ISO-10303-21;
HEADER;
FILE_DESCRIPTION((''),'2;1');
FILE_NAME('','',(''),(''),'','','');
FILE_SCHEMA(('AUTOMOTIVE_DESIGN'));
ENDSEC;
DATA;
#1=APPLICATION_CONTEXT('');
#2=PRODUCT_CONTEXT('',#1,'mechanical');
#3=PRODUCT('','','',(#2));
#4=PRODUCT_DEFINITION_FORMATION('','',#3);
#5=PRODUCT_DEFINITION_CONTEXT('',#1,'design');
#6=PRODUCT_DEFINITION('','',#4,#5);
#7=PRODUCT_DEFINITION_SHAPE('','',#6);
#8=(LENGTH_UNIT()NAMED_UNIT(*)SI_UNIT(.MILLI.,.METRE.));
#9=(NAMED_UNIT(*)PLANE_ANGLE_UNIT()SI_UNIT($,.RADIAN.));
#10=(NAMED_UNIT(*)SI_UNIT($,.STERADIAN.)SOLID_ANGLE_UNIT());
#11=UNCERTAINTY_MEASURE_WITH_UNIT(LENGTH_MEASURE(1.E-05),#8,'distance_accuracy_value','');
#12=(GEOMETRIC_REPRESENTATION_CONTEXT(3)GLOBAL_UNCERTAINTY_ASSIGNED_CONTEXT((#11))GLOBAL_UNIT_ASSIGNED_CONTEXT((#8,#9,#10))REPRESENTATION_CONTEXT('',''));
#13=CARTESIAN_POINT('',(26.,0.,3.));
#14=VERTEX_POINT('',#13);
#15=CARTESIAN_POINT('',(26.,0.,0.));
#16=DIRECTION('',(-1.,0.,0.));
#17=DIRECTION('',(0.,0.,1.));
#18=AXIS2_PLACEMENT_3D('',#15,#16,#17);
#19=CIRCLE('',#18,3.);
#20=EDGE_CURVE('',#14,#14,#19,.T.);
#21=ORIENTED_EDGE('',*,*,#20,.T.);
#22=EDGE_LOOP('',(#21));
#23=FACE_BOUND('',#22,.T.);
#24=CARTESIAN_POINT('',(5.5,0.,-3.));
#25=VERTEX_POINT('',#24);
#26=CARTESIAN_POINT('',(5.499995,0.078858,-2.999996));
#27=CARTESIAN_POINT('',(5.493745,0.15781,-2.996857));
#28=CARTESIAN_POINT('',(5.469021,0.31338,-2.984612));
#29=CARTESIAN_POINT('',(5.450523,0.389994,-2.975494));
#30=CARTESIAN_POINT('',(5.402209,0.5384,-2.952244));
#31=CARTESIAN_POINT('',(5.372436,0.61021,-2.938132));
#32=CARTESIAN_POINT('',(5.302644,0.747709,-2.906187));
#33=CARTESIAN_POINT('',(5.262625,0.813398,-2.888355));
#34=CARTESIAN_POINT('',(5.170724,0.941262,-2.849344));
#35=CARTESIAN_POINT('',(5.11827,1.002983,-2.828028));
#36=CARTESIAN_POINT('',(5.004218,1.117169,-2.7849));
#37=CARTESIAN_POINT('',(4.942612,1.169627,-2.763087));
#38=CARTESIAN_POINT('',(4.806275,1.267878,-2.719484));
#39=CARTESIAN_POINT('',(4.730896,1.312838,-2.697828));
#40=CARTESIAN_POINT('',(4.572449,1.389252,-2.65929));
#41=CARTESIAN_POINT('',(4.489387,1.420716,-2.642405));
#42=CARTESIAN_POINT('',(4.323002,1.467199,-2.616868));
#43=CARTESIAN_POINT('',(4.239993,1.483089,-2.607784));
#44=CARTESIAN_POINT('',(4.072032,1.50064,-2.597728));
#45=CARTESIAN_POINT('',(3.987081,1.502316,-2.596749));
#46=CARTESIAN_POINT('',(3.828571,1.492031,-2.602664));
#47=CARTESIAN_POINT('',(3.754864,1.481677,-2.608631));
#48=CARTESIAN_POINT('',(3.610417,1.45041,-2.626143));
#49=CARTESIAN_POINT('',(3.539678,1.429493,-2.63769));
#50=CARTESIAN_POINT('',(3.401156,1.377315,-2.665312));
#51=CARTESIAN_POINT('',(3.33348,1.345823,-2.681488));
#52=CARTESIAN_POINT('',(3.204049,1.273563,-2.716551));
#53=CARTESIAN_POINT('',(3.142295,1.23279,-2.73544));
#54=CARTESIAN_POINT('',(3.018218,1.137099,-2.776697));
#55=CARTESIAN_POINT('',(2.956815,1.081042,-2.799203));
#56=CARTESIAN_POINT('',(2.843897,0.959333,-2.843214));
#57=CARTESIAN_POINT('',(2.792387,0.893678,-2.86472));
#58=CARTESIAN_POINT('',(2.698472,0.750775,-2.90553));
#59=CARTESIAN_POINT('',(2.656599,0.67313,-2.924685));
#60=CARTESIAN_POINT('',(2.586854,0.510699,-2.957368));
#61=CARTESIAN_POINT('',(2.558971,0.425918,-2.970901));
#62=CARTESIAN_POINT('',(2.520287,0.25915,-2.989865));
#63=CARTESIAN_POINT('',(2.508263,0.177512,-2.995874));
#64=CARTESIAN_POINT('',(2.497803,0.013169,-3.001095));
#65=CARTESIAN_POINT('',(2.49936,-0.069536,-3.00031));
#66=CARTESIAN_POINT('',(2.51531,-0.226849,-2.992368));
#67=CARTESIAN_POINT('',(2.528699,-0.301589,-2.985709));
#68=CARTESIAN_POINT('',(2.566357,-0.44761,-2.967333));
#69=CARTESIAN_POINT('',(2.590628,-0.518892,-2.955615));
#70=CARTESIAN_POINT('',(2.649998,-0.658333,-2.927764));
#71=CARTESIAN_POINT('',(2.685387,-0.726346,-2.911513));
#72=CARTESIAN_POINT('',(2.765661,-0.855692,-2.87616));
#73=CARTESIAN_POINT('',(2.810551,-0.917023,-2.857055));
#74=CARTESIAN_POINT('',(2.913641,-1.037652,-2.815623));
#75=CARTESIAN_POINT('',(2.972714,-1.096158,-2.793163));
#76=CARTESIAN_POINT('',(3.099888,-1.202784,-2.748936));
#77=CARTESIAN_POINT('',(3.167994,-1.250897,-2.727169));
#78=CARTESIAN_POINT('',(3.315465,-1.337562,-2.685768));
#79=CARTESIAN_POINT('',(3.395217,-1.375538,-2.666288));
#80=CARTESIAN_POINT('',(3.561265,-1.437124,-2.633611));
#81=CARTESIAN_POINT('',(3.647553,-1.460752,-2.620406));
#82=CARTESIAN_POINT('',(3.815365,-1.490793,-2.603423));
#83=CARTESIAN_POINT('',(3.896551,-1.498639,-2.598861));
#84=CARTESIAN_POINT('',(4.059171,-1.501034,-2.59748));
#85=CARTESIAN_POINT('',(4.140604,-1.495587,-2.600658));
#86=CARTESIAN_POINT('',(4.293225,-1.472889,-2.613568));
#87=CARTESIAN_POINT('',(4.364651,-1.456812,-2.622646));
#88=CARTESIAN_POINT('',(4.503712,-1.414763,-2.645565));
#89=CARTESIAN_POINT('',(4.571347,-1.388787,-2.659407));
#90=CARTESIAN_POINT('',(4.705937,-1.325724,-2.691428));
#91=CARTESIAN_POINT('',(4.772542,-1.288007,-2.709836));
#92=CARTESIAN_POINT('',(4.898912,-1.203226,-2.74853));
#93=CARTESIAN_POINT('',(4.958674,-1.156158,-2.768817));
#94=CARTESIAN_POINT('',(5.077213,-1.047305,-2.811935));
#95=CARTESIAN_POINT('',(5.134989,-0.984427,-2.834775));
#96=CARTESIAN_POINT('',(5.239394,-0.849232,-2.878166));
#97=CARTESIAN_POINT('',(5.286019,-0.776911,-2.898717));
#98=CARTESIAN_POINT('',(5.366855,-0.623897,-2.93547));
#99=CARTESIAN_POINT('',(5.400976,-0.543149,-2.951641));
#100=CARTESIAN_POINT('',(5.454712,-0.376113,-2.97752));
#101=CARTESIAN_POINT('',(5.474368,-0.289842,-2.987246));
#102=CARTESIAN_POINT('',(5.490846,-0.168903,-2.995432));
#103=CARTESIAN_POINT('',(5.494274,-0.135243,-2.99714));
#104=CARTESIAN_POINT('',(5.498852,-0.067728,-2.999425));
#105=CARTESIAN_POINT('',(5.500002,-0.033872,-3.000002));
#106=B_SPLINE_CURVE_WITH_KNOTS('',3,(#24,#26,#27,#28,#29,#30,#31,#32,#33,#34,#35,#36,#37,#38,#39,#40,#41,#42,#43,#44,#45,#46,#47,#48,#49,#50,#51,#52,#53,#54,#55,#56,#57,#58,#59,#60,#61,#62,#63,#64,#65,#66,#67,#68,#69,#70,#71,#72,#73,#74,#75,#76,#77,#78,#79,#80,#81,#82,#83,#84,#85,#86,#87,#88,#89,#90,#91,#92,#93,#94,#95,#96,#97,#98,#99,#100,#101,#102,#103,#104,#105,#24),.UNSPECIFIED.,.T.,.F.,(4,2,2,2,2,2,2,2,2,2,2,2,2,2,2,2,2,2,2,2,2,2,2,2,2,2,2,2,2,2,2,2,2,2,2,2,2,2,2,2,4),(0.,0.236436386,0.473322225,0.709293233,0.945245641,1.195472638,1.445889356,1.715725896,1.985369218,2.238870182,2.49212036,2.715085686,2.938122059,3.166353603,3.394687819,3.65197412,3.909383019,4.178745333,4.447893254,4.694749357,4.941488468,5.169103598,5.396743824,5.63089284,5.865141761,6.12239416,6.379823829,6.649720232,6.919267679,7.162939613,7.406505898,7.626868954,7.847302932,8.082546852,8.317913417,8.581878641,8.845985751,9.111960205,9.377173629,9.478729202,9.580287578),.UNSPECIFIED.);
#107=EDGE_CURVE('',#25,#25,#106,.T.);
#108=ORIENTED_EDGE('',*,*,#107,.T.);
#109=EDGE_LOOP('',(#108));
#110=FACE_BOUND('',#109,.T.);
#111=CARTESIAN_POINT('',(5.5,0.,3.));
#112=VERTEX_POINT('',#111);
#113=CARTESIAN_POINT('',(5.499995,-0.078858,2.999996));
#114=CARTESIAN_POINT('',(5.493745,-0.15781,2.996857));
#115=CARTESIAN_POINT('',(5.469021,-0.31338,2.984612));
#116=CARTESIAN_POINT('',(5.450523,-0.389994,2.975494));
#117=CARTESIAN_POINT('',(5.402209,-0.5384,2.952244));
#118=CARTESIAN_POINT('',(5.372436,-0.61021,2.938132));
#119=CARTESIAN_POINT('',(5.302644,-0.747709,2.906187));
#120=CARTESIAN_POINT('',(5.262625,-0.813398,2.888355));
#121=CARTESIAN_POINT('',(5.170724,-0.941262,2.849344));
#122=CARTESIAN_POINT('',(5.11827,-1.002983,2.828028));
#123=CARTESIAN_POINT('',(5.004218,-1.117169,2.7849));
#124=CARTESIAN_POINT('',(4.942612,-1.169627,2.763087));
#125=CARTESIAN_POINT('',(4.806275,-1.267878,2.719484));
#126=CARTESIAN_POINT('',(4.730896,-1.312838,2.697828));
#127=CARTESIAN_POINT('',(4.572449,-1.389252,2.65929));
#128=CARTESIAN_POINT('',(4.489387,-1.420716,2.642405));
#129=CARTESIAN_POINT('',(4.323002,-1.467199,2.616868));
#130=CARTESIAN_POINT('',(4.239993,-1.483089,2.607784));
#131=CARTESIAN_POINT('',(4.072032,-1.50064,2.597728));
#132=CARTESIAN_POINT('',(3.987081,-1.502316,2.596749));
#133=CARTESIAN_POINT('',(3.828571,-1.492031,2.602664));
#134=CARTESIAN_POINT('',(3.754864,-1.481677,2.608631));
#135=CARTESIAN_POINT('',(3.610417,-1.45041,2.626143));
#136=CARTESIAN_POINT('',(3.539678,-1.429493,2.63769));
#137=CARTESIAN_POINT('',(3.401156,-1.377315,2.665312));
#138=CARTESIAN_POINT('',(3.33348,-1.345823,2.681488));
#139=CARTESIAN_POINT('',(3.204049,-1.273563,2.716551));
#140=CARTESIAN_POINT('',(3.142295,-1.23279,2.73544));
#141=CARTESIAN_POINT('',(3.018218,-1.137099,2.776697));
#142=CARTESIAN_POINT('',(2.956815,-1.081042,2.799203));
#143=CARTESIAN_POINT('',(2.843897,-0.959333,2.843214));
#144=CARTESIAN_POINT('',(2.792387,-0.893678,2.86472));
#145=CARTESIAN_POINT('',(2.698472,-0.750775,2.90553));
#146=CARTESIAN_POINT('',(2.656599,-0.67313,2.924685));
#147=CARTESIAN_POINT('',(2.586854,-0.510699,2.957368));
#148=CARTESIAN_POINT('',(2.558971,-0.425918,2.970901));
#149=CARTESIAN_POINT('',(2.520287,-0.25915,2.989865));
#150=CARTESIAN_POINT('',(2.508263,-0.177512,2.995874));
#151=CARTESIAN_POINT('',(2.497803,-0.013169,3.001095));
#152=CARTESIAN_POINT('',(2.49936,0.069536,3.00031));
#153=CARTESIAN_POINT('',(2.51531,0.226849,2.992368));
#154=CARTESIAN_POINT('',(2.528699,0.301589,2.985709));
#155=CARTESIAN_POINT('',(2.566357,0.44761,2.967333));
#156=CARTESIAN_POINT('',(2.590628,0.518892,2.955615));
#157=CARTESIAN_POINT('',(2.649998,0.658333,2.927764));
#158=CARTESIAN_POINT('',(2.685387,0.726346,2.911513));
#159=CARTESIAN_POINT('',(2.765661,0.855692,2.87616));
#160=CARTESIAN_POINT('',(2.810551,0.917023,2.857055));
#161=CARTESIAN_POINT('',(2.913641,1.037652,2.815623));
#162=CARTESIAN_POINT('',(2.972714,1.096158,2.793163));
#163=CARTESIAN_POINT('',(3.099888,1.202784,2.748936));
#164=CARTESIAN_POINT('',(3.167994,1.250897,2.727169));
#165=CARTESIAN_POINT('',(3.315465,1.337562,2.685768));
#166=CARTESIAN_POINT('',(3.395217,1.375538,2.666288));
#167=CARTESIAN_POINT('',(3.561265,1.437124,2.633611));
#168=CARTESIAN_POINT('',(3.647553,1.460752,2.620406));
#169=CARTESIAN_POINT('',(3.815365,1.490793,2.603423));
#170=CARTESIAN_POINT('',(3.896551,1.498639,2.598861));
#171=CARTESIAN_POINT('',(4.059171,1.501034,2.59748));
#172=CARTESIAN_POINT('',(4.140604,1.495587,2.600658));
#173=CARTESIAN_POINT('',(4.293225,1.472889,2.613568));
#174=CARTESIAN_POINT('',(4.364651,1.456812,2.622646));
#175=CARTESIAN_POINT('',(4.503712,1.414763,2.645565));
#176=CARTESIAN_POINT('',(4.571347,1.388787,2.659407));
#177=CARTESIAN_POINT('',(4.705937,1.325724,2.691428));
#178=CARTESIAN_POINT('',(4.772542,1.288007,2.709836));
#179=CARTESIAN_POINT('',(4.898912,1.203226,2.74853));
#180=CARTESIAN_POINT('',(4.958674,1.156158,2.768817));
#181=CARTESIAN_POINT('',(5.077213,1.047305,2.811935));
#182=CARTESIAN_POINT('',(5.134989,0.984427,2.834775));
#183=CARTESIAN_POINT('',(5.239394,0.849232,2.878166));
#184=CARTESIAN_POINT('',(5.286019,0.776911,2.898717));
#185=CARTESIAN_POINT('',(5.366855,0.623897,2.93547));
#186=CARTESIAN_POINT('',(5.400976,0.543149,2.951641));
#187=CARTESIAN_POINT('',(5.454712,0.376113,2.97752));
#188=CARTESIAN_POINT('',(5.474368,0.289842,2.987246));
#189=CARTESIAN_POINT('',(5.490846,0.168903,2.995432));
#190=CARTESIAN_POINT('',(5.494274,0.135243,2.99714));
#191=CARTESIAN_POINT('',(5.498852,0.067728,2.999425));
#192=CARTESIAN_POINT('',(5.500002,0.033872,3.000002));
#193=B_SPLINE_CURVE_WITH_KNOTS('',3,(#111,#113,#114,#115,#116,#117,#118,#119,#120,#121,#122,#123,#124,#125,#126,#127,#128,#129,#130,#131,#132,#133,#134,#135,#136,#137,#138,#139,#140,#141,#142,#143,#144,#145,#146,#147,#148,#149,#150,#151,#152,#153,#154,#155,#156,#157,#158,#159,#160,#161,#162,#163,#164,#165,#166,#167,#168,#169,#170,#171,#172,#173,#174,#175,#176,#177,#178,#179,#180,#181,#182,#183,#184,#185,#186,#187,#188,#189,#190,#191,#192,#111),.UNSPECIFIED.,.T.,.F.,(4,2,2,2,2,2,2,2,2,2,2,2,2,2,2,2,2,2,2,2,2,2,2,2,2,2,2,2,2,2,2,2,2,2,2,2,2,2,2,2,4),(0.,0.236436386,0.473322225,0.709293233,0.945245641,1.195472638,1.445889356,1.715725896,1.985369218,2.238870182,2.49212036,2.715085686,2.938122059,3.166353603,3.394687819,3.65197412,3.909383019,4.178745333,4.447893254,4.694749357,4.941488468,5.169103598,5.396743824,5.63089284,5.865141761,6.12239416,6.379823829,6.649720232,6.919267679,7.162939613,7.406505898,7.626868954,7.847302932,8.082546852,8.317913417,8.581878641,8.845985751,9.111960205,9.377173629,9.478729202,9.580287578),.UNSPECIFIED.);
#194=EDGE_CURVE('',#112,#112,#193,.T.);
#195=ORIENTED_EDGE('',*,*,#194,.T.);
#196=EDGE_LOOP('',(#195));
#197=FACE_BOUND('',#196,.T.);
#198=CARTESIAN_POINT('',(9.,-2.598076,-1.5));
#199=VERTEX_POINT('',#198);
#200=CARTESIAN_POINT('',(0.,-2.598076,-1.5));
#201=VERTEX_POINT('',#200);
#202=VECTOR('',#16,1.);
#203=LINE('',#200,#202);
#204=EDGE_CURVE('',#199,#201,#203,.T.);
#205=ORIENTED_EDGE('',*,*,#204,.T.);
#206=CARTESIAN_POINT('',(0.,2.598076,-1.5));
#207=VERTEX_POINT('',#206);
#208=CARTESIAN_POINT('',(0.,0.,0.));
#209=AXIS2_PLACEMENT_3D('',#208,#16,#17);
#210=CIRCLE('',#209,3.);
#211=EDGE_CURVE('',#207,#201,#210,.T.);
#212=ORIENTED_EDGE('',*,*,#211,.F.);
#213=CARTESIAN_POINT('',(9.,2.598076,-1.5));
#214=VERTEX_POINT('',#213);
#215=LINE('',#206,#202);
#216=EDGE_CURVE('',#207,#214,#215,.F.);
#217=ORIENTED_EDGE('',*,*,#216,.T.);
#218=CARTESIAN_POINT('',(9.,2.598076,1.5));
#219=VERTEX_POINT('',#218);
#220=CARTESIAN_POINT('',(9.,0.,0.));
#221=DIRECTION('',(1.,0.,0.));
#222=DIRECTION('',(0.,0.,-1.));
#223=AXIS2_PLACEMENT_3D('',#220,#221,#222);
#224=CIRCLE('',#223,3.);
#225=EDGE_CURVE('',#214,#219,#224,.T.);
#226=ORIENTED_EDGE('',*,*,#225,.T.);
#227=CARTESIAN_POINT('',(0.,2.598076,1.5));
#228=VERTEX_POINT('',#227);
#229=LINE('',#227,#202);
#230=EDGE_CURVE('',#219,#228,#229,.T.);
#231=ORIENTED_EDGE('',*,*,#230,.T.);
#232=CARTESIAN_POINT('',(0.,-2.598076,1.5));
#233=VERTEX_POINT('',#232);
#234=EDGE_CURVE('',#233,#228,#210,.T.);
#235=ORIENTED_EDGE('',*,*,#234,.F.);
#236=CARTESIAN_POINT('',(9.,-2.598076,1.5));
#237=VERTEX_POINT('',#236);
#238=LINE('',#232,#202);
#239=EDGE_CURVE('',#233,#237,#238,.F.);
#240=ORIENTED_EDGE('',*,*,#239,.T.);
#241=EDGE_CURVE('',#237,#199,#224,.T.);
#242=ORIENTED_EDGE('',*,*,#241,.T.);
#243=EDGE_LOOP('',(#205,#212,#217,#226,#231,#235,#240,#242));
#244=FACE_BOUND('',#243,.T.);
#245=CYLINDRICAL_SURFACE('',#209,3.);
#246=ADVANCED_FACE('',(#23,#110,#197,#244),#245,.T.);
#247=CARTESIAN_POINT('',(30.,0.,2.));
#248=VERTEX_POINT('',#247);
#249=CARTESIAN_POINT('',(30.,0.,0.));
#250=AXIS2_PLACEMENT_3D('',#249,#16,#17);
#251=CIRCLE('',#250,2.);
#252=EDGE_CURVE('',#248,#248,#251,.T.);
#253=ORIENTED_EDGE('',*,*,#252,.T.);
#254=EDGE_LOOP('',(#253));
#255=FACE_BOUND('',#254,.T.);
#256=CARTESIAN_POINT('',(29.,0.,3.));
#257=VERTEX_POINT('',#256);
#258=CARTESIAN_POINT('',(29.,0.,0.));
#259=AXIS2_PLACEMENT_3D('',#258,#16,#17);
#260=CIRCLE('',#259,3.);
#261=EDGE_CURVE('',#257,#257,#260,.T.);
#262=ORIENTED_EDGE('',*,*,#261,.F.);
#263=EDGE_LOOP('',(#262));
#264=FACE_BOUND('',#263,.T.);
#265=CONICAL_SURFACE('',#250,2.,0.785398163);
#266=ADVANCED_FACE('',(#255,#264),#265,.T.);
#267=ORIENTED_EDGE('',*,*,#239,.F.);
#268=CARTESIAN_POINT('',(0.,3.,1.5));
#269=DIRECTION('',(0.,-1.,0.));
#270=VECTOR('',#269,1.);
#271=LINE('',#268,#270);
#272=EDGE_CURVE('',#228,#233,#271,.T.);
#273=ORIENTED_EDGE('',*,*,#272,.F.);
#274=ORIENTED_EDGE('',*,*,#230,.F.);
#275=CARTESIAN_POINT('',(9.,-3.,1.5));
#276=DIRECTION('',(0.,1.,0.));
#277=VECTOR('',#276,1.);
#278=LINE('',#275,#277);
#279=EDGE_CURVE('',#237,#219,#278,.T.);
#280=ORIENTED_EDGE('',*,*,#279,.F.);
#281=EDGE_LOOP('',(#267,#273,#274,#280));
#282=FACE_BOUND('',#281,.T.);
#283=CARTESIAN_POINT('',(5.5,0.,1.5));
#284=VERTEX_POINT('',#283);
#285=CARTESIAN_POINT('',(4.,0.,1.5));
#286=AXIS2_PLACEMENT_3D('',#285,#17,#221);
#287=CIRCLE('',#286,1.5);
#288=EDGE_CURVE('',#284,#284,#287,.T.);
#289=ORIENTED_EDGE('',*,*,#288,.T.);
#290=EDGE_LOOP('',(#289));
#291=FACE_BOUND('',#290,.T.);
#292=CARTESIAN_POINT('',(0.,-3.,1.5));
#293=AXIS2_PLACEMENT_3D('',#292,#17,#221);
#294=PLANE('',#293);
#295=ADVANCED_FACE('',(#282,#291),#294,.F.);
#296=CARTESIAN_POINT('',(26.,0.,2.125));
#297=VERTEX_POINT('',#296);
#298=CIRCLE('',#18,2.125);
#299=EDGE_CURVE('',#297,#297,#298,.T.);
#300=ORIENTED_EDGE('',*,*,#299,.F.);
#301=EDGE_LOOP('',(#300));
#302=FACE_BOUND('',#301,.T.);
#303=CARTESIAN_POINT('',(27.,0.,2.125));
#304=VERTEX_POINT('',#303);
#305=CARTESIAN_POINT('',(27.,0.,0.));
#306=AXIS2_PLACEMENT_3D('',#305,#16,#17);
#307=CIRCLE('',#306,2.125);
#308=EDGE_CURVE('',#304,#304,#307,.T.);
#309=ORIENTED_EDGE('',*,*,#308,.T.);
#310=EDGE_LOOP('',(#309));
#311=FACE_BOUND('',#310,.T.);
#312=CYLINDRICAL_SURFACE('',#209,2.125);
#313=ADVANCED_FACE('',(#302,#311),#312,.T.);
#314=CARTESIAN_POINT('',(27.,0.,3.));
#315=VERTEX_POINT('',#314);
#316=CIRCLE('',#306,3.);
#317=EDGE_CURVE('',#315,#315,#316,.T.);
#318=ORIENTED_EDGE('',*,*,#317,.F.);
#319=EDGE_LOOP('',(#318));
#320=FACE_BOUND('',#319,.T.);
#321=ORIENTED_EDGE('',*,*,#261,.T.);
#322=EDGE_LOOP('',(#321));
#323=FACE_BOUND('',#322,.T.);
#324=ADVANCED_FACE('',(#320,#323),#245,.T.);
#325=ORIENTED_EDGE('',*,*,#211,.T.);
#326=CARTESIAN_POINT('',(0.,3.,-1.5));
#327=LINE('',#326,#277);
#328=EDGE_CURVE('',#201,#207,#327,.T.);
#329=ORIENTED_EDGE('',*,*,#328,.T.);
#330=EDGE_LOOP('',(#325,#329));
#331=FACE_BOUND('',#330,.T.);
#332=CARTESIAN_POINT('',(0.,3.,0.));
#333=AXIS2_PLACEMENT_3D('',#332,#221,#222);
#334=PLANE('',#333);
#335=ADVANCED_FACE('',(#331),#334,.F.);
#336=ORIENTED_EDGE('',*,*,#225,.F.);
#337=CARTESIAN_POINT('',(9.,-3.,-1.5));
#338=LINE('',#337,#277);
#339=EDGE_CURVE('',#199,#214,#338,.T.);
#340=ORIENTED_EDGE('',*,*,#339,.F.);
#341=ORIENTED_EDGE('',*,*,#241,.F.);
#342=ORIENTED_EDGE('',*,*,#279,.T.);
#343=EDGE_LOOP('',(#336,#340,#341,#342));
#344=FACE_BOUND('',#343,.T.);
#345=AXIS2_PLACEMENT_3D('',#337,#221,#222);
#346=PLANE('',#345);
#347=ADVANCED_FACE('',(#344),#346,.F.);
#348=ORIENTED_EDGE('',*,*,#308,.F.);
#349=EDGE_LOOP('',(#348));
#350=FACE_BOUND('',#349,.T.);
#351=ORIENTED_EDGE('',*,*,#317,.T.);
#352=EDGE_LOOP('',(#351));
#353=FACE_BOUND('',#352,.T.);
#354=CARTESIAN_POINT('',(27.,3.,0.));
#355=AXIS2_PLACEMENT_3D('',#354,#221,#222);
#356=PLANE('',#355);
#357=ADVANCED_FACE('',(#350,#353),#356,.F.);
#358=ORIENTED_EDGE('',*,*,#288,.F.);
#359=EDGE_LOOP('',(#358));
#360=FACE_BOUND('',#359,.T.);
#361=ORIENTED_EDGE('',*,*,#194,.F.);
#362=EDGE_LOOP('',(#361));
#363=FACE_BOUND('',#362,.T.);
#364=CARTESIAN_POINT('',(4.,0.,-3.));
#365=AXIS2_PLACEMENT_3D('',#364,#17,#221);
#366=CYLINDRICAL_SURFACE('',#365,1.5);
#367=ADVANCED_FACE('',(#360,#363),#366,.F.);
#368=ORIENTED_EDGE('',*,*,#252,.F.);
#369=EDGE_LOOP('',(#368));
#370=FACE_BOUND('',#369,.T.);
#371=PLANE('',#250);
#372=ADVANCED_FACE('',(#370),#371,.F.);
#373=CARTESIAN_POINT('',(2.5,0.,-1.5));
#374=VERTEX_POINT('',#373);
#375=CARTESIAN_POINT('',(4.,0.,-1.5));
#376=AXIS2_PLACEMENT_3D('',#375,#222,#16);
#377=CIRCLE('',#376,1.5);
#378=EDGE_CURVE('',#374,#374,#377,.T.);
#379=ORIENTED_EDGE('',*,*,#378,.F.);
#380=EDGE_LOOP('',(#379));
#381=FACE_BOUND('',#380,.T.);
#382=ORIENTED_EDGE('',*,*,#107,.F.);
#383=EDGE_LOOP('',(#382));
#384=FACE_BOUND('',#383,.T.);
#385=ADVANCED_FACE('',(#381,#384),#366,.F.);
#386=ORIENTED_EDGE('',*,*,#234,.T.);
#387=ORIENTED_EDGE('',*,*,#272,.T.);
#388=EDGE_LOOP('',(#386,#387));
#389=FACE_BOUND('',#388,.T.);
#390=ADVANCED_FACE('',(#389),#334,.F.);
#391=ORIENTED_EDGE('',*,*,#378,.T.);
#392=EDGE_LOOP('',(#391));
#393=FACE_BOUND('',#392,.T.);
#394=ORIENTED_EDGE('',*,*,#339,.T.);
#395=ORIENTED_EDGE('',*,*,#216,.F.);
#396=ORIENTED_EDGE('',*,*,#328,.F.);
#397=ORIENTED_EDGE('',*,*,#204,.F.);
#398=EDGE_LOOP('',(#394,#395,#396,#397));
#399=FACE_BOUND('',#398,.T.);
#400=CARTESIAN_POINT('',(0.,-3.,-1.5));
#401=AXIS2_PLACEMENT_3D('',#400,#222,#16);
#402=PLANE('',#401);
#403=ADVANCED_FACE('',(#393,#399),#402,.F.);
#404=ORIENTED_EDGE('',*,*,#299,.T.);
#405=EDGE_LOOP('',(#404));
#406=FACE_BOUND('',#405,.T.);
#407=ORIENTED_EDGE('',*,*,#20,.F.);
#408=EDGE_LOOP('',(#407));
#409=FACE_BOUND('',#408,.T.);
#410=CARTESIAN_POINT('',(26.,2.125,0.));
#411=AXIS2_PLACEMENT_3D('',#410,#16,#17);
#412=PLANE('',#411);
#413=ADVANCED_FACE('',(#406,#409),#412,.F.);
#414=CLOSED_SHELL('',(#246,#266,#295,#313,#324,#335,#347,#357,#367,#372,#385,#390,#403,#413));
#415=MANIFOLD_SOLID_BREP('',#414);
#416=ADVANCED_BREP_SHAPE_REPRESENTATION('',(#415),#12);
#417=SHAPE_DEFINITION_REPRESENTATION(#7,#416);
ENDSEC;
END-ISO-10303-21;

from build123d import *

# Parameters (mm, degrees)
CUT_EXTRUDE1_DEPTH      = 31.298514815
CUT_EXTRUDE1_DEPTH_BACK = 31.298514815
SKETCH2_W               = 9
SKETCH2_H               = 3
CUT_EXTRUDE2_DEPTH      = 31.298514815
CUT_EXTRUDE2_DEPTH_BACK = 31.298514815
SKETCH3_R               = 1.5


with BuildPart() as part:
    # Sketch1 → Revolve1 (revolve)
    with BuildSketch(Plane.XY, mode=Mode.PRIVATE) as revolve1_sk:
        Polygon((30, 0), (30, 2), (29, 3), (27, 3), (27, 2.125), (26, 2.125), (26, 3), (0, 3), (0, 0), align=None)
    revolve(revolve1_sk.sketch.rotate(Axis((0, 0, 0), (1, 0, 0)), 90), axis=Axis((0, 0, 0), (1, 0, 0)))

    # Sketch2 → Cut-Extrude1 (cut, two sides: drawn at the far end of the back side and taken through both)
    with BuildSketch(Plane(origin=(0, 0, 0), x_dir=(1, 0, 0), z_dir=(0, 1, 0)).offset(-CUT_EXTRUDE1_DEPTH_BACK)):
        with Locations((4.5, 0)):
            Rectangle(SKETCH2_W, SKETCH2_H)
    extrude(amount=CUT_EXTRUDE1_DEPTH + CUT_EXTRUDE1_DEPTH_BACK, mode=Mode.SUBTRACT)

    # Sketch3 → Cut-Extrude2 (cut, two sides: drawn at the far end of the back side and taken through both)
    with BuildSketch(Plane.XY.offset(-CUT_EXTRUDE2_DEPTH_BACK)):
        with Locations((4, 0)):
            Circle(SKETCH3_R)
    extrude(amount=CUT_EXTRUDE2_DEPTH + CUT_EXTRUDE2_DEPTH_BACK, mode=Mode.SUBTRACT)


solid = part.part
